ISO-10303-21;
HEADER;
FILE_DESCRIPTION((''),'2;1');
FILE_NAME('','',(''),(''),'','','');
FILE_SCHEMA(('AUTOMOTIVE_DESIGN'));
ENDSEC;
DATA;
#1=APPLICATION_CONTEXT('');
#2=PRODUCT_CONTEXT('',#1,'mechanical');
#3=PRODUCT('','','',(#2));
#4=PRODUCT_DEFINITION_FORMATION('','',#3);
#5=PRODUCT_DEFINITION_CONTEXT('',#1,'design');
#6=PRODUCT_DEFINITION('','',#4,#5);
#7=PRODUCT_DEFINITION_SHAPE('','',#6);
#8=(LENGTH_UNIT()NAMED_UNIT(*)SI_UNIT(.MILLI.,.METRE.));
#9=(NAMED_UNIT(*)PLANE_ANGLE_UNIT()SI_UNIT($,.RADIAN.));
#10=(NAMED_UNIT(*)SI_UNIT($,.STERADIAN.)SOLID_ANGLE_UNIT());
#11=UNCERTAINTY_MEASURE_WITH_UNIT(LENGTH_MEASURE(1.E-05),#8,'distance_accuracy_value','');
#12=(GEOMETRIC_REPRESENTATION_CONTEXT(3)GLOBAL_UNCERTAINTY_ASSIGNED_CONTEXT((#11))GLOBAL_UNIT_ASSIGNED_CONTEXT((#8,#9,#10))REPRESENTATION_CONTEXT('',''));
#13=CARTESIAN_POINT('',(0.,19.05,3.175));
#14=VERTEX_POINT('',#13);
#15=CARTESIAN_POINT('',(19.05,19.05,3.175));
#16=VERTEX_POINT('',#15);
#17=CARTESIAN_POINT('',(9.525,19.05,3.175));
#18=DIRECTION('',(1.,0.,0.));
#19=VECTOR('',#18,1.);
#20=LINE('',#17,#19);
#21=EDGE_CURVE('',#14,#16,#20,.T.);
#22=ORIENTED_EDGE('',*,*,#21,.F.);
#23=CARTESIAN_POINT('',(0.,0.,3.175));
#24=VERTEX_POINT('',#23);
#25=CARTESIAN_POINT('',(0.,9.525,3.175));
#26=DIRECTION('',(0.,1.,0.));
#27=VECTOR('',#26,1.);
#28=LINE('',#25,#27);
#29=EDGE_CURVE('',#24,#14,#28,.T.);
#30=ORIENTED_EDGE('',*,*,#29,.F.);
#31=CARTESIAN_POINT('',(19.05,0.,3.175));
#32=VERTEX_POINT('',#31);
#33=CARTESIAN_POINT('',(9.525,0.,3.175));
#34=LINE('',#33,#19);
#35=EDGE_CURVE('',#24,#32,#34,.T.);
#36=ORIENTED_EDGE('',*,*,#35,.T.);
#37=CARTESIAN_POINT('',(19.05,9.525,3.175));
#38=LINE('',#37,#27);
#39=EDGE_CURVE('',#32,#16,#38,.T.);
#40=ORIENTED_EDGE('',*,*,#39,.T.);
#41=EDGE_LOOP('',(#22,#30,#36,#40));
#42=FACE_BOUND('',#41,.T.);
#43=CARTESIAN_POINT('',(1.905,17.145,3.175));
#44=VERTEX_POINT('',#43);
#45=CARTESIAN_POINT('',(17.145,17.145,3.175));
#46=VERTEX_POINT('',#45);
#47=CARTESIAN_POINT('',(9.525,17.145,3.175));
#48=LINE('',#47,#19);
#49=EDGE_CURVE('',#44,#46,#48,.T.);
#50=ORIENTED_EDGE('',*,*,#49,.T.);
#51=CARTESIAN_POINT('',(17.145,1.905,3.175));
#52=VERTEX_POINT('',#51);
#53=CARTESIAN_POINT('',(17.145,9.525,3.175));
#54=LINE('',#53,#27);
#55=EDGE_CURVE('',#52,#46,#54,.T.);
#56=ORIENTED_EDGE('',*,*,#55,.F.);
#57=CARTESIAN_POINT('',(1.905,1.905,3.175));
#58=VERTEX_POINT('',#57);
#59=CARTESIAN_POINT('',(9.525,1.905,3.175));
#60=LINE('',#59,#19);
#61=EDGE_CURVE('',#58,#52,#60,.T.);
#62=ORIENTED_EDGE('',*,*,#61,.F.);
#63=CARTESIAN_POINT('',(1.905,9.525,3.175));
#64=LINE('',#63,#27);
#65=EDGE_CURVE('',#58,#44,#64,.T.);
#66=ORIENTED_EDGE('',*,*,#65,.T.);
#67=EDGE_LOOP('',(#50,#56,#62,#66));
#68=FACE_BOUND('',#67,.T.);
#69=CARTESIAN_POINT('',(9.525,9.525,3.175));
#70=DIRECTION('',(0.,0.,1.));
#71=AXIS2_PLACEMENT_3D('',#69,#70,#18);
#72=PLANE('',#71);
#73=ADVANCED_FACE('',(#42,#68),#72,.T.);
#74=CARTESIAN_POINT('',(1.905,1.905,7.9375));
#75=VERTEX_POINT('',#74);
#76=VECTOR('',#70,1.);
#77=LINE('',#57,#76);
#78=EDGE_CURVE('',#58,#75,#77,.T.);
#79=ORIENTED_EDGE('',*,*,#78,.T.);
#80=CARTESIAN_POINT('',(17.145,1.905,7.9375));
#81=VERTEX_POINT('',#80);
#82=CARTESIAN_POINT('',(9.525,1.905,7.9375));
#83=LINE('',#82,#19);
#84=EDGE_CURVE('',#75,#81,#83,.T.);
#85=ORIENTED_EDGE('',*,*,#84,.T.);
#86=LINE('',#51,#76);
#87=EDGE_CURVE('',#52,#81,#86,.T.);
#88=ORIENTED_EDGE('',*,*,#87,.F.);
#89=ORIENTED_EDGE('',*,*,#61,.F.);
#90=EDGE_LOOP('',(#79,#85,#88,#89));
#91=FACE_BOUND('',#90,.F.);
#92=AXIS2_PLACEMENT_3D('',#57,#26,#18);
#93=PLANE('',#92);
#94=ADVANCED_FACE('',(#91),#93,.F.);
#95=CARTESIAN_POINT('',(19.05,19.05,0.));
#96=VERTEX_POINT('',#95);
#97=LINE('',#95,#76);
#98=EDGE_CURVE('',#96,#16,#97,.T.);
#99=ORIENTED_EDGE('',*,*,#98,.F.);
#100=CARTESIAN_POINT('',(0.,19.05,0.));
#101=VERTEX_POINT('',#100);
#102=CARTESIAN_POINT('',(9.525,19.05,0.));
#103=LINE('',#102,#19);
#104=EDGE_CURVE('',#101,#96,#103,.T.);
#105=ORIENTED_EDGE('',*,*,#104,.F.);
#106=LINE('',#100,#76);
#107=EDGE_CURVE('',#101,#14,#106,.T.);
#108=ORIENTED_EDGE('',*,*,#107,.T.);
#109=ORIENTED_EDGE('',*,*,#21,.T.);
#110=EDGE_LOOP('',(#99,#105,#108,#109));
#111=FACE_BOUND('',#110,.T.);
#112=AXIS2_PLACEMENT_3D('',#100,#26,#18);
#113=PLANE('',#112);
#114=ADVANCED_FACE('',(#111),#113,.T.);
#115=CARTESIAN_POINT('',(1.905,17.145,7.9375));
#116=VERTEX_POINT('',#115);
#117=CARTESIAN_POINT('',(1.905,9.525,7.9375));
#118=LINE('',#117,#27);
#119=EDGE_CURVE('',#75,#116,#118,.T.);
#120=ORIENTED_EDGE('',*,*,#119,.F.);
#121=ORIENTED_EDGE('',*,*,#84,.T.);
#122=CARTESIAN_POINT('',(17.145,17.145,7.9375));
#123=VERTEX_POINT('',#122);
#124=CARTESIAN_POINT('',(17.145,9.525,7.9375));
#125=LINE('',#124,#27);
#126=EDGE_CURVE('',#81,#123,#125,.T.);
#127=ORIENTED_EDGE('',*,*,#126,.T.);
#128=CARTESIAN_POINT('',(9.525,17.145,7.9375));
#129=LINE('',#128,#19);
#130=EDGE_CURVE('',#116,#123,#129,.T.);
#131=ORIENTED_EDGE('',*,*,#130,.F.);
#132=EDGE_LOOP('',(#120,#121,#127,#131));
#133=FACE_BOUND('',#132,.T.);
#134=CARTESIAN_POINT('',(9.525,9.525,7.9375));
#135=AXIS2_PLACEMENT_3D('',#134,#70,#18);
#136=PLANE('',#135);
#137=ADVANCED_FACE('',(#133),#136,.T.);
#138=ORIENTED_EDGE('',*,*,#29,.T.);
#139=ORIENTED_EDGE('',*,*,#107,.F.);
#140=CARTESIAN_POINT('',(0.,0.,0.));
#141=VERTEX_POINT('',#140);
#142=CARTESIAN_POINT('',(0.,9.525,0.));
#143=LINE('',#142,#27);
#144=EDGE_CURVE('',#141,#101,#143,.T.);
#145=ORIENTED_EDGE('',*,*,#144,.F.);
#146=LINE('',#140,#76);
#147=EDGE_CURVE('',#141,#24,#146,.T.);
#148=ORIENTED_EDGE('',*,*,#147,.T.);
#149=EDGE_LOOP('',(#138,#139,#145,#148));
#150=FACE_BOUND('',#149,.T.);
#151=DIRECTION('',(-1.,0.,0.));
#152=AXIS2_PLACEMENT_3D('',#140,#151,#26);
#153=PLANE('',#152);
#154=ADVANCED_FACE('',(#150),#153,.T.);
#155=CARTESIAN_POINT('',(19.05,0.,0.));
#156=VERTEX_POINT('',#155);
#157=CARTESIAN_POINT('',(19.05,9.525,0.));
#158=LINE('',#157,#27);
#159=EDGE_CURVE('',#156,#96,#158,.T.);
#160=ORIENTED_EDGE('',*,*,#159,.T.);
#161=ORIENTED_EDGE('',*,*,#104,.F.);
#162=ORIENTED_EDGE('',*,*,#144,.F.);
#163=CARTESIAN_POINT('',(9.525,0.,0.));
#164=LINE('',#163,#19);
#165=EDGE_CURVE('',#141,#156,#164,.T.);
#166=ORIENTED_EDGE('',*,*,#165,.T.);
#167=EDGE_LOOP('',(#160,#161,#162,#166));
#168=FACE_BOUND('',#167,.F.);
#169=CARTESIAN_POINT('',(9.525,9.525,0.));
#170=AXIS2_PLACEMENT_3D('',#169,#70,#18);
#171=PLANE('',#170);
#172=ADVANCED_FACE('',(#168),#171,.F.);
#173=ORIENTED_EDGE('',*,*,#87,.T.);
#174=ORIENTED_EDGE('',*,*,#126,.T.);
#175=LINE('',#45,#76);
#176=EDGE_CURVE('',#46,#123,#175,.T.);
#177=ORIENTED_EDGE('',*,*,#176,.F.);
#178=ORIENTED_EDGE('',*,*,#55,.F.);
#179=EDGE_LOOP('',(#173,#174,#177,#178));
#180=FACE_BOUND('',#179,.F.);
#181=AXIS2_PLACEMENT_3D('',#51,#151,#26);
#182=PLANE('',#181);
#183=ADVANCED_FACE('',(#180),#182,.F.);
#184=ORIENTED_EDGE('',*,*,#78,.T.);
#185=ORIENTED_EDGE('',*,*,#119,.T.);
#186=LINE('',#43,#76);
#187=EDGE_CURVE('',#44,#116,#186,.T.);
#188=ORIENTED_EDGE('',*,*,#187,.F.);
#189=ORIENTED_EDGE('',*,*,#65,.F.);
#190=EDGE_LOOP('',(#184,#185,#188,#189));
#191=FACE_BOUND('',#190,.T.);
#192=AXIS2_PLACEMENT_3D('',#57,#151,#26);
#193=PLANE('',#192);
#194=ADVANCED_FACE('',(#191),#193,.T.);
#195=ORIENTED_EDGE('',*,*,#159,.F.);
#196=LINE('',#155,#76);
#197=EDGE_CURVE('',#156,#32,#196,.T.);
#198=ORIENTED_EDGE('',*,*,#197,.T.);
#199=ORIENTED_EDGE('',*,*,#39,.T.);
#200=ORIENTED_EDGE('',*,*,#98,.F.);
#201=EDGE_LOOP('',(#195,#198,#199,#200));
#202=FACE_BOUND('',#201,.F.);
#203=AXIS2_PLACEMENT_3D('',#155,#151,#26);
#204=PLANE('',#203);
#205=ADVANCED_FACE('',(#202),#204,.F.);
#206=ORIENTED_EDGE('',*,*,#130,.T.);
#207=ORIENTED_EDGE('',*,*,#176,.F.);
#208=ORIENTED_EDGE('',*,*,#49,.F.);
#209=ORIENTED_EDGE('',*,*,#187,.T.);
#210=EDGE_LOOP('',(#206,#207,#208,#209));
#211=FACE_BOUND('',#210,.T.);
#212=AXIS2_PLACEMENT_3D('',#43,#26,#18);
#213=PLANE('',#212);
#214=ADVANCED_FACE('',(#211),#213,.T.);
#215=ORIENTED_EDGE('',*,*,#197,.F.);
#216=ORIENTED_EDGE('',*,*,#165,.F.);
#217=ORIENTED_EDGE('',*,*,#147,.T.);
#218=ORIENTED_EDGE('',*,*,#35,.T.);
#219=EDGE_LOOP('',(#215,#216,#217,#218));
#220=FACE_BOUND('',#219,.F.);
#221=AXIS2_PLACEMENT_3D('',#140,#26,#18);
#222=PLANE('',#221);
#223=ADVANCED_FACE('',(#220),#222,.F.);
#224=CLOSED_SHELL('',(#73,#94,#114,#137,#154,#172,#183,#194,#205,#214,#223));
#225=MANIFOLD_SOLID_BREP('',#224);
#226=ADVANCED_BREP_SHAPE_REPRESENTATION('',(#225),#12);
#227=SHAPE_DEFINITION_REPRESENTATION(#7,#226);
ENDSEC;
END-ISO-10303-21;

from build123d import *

# Parameters (mm, degrees)
SKETCH_W     = 19.05
SKETCH_H     = 19.05
PAD_DEPTH    = 3.175
SKETCH001_W  = 15.24
SKETCH001_H  = 15.24
PAD001_DEPTH = 4.7625


with BuildPart() as part:
    # Sketch → Pad (new body)
    with BuildSketch(Plane.XY):
        with Locations((9.525, 9.525)):
            Rectangle(SKETCH_W, SKETCH_H)
    extrude(amount=PAD_DEPTH)

    # Sketch001 → Pad001 (new body)
    with BuildSketch(Plane.XY.offset(3.175)):
        with Locations((9.525, 9.525)):
            Rectangle(SKETCH001_W, SKETCH001_H)
    extrude(amount=PAD001_DEPTH)


solid = part.part
